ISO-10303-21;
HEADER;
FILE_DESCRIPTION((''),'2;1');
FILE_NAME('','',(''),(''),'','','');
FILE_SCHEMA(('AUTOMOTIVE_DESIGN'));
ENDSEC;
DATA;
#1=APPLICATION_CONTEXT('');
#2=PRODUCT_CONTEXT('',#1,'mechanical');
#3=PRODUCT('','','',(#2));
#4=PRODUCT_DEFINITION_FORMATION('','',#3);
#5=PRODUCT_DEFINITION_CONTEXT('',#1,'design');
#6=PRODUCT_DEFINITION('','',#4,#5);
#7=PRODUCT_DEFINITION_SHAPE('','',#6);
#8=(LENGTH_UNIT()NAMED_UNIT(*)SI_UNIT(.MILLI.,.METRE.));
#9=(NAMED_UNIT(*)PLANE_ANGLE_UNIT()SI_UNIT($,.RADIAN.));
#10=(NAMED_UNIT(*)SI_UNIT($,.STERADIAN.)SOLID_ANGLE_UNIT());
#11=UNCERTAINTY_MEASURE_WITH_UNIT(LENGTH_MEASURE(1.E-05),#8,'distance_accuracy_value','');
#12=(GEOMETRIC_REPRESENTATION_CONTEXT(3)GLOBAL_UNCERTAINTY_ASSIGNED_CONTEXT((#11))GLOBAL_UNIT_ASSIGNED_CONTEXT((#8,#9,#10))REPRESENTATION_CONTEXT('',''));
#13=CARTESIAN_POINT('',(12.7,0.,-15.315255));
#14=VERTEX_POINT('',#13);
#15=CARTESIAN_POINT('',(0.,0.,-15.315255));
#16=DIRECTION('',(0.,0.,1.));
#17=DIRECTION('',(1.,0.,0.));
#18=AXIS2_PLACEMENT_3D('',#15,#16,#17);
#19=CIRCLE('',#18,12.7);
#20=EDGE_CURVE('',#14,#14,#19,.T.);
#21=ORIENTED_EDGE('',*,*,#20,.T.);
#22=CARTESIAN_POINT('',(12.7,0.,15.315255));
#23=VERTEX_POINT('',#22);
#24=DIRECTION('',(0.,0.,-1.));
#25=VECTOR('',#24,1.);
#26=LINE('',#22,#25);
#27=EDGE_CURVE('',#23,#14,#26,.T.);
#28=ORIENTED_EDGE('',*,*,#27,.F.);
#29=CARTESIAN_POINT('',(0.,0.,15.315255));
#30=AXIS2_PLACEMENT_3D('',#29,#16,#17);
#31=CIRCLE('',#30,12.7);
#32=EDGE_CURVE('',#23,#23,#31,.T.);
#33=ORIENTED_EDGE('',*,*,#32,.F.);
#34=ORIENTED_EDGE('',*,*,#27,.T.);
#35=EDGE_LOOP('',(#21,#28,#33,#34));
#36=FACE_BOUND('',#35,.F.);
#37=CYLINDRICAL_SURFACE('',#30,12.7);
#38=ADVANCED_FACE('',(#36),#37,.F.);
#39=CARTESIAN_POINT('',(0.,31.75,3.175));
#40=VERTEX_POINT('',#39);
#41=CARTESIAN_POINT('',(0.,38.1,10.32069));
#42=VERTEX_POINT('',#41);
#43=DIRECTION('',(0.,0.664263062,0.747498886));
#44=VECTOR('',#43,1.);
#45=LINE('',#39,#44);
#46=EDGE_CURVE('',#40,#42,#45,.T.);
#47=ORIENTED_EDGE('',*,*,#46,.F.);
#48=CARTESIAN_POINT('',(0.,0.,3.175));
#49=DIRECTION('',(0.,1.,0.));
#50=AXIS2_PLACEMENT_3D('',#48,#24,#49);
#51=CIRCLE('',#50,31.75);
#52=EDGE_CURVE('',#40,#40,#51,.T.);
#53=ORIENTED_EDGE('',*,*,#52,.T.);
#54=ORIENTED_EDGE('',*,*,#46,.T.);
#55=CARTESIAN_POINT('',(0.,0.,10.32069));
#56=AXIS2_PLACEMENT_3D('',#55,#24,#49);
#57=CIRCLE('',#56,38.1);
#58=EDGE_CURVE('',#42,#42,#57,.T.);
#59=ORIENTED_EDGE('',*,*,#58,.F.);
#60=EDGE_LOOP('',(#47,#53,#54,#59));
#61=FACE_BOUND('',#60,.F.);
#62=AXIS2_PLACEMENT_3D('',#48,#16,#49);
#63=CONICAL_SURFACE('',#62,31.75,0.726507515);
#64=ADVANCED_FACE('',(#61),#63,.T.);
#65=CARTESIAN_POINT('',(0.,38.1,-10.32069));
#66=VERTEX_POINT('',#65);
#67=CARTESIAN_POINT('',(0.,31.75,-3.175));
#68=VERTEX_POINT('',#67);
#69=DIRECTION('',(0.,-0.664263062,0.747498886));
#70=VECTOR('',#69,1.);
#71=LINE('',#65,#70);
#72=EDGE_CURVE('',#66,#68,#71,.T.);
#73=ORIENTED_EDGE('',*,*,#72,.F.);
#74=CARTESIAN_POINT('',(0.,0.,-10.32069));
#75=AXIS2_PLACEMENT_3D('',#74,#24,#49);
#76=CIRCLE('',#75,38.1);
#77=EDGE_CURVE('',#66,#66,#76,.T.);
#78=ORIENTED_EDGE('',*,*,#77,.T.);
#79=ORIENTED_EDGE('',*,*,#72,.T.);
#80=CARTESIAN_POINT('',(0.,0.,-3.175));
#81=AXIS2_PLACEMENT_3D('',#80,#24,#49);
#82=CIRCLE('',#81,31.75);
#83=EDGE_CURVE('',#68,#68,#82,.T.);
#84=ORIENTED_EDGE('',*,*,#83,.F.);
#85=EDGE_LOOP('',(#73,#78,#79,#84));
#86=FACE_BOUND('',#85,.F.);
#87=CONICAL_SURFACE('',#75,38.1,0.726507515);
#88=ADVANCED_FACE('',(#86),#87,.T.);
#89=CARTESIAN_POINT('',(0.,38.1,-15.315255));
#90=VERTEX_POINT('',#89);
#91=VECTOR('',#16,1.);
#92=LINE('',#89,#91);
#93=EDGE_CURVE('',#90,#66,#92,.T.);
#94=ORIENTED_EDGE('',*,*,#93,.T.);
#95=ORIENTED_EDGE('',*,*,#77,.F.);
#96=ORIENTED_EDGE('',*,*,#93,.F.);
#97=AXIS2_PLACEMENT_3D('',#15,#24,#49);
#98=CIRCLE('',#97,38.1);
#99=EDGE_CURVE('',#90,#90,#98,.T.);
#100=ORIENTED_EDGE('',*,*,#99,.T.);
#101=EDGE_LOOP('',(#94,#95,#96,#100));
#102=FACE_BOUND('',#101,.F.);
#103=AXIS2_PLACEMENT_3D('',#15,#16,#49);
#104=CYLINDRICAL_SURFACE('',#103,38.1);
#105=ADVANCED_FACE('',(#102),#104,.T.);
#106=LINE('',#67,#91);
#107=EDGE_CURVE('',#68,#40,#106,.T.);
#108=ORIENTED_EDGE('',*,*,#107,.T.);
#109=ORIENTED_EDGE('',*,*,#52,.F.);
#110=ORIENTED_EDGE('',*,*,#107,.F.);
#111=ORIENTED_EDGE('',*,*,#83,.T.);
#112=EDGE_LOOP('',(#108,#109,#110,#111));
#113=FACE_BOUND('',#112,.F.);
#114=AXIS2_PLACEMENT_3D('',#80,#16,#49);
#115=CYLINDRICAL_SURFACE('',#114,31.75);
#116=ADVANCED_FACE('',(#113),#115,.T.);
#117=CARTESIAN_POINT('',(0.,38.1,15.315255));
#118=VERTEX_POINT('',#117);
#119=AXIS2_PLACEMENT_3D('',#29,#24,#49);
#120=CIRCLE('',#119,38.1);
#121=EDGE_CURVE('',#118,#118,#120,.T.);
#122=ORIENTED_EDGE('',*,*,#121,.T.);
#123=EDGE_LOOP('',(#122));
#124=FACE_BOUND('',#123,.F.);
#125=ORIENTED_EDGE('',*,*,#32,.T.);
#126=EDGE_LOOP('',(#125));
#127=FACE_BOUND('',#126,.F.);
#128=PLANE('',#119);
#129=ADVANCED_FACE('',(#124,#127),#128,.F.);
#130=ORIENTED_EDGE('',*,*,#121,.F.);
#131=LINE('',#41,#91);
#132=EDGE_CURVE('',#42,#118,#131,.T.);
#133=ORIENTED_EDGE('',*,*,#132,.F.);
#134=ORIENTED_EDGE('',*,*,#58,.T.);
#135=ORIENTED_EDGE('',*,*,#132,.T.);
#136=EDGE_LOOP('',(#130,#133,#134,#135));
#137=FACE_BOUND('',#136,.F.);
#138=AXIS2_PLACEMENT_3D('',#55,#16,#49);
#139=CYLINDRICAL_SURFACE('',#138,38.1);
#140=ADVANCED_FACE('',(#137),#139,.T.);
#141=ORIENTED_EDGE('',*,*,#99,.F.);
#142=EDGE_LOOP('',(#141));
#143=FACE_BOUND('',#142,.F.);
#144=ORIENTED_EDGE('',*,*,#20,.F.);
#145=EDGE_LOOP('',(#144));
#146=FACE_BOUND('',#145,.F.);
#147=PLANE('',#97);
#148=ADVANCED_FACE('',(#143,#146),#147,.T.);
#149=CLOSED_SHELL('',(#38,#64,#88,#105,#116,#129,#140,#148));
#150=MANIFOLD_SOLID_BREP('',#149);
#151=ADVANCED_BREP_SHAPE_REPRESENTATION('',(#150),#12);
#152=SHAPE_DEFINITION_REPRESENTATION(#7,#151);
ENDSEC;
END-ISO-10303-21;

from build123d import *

# Parameters (mm, degrees)
F2_R     = 12.7
F3_DEPTH = 30.63151


with BuildPart() as f1:
    # F0 (on Right) → F1 (revolve)
    with BuildSketch(Plane.YZ):
        Polygon((38.1, -10.32069), (31.75, -3.175), (31.75, 3.175), (38.1, 10.32069), (38.1, 15.315255), (0, 15.315255), (0, -15.315255), (38.1, -15.315255), align=None)
    revolve(axis=Axis((0, 0, 0), (0, 0, -1)))

    # F2 (on face) → F3 (cut, through all)
    with BuildSketch(Plane.XY.offset(15.315255)):
        Circle(F2_R)
    extrude(amount=-F3_DEPTH, mode=Mode.SUBTRACT)


solid = f1.part
